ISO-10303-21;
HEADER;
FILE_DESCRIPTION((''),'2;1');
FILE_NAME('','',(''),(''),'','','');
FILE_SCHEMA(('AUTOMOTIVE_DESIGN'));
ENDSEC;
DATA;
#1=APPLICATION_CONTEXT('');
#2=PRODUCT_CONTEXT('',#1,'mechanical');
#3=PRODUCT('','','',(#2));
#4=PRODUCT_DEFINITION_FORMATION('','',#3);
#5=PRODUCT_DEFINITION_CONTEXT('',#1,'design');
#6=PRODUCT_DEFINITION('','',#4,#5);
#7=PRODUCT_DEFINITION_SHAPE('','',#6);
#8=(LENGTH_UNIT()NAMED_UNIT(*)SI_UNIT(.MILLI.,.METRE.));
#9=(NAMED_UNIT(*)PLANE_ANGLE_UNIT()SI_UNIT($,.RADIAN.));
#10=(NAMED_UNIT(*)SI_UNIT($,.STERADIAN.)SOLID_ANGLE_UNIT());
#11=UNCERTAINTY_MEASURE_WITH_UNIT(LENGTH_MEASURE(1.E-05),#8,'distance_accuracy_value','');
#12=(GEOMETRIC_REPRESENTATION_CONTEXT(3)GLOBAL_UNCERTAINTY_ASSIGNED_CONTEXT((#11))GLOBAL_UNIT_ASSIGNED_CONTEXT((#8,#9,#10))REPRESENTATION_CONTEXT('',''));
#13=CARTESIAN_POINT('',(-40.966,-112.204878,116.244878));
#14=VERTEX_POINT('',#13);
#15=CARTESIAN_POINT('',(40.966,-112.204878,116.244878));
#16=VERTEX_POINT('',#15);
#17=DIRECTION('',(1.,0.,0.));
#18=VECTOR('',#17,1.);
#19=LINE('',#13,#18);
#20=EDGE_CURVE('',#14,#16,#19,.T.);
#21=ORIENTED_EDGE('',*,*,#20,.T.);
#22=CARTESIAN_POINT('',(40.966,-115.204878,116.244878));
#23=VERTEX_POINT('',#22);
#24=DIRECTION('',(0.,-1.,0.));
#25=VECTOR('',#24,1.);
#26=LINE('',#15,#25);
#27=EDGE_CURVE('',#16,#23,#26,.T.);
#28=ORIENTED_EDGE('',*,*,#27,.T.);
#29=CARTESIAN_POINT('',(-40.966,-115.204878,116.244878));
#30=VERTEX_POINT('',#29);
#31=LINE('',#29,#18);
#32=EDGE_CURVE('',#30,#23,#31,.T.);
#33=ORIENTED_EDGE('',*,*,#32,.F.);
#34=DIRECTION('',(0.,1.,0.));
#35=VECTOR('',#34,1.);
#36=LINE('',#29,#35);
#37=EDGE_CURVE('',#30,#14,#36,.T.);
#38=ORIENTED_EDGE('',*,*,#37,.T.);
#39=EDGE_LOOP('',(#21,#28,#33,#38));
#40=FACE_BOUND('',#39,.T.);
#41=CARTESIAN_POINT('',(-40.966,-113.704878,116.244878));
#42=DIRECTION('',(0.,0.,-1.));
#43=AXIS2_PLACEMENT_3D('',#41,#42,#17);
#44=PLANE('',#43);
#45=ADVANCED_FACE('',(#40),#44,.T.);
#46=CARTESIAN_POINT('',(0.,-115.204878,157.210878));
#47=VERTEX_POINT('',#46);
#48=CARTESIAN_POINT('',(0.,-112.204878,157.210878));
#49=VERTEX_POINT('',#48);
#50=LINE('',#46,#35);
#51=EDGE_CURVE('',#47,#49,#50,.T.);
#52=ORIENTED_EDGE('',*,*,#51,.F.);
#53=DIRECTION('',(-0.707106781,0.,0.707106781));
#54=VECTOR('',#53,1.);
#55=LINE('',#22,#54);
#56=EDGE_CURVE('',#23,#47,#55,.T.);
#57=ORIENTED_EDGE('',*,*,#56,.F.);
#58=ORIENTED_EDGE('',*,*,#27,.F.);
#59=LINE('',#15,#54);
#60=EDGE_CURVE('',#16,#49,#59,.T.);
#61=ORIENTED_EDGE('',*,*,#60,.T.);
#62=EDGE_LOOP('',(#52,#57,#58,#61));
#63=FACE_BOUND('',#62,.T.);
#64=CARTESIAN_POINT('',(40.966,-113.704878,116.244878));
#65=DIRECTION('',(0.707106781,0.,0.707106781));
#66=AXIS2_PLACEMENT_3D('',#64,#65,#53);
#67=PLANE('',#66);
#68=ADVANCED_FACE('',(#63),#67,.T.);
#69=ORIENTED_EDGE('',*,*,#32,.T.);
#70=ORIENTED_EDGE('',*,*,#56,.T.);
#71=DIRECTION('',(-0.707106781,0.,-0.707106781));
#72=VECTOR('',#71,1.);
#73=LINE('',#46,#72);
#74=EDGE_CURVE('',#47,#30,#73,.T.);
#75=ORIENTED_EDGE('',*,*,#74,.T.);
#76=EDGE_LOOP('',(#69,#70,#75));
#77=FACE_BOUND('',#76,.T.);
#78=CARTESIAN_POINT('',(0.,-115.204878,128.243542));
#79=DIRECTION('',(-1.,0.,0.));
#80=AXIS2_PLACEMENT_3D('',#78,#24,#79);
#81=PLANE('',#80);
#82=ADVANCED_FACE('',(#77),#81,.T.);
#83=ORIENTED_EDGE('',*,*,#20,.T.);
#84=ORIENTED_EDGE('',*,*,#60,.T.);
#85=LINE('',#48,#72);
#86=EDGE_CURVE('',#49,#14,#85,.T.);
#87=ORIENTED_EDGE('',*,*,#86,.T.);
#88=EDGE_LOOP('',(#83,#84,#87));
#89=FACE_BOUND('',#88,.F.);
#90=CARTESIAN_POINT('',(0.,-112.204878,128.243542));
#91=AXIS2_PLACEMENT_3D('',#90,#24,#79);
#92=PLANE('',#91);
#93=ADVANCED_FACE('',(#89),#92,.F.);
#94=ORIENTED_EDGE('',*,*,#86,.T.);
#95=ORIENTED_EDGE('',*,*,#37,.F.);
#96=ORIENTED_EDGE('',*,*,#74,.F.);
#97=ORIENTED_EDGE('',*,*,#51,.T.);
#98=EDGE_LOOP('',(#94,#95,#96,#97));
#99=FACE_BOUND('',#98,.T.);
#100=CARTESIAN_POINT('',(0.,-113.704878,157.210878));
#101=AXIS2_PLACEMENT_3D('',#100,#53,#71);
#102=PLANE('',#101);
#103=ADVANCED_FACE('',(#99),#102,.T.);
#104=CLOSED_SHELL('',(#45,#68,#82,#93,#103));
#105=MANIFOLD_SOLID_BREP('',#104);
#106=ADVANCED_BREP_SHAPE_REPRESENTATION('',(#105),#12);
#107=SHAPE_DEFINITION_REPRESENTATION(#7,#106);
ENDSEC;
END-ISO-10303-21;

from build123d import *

# Parameters (mm, degrees)
BOSS_EXTRUDE1_DEPTH = 1.5


with BuildPart() as part:
    # Sketch1 → Boss-Extrude1 (new body, symmetric)
    with BuildSketch(Plane(origin=(0, -113.704878, 0), x_dir=(-1, 0, 0), z_dir=(0, -1, 0))):
        Polygon((40.966000127, -116.244878), (-40.966000127, -116.244878), (0, -157.210878127), align=None)
    extrude(amount=BOSS_EXTRUDE1_DEPTH, both=True)


solid = part.part
